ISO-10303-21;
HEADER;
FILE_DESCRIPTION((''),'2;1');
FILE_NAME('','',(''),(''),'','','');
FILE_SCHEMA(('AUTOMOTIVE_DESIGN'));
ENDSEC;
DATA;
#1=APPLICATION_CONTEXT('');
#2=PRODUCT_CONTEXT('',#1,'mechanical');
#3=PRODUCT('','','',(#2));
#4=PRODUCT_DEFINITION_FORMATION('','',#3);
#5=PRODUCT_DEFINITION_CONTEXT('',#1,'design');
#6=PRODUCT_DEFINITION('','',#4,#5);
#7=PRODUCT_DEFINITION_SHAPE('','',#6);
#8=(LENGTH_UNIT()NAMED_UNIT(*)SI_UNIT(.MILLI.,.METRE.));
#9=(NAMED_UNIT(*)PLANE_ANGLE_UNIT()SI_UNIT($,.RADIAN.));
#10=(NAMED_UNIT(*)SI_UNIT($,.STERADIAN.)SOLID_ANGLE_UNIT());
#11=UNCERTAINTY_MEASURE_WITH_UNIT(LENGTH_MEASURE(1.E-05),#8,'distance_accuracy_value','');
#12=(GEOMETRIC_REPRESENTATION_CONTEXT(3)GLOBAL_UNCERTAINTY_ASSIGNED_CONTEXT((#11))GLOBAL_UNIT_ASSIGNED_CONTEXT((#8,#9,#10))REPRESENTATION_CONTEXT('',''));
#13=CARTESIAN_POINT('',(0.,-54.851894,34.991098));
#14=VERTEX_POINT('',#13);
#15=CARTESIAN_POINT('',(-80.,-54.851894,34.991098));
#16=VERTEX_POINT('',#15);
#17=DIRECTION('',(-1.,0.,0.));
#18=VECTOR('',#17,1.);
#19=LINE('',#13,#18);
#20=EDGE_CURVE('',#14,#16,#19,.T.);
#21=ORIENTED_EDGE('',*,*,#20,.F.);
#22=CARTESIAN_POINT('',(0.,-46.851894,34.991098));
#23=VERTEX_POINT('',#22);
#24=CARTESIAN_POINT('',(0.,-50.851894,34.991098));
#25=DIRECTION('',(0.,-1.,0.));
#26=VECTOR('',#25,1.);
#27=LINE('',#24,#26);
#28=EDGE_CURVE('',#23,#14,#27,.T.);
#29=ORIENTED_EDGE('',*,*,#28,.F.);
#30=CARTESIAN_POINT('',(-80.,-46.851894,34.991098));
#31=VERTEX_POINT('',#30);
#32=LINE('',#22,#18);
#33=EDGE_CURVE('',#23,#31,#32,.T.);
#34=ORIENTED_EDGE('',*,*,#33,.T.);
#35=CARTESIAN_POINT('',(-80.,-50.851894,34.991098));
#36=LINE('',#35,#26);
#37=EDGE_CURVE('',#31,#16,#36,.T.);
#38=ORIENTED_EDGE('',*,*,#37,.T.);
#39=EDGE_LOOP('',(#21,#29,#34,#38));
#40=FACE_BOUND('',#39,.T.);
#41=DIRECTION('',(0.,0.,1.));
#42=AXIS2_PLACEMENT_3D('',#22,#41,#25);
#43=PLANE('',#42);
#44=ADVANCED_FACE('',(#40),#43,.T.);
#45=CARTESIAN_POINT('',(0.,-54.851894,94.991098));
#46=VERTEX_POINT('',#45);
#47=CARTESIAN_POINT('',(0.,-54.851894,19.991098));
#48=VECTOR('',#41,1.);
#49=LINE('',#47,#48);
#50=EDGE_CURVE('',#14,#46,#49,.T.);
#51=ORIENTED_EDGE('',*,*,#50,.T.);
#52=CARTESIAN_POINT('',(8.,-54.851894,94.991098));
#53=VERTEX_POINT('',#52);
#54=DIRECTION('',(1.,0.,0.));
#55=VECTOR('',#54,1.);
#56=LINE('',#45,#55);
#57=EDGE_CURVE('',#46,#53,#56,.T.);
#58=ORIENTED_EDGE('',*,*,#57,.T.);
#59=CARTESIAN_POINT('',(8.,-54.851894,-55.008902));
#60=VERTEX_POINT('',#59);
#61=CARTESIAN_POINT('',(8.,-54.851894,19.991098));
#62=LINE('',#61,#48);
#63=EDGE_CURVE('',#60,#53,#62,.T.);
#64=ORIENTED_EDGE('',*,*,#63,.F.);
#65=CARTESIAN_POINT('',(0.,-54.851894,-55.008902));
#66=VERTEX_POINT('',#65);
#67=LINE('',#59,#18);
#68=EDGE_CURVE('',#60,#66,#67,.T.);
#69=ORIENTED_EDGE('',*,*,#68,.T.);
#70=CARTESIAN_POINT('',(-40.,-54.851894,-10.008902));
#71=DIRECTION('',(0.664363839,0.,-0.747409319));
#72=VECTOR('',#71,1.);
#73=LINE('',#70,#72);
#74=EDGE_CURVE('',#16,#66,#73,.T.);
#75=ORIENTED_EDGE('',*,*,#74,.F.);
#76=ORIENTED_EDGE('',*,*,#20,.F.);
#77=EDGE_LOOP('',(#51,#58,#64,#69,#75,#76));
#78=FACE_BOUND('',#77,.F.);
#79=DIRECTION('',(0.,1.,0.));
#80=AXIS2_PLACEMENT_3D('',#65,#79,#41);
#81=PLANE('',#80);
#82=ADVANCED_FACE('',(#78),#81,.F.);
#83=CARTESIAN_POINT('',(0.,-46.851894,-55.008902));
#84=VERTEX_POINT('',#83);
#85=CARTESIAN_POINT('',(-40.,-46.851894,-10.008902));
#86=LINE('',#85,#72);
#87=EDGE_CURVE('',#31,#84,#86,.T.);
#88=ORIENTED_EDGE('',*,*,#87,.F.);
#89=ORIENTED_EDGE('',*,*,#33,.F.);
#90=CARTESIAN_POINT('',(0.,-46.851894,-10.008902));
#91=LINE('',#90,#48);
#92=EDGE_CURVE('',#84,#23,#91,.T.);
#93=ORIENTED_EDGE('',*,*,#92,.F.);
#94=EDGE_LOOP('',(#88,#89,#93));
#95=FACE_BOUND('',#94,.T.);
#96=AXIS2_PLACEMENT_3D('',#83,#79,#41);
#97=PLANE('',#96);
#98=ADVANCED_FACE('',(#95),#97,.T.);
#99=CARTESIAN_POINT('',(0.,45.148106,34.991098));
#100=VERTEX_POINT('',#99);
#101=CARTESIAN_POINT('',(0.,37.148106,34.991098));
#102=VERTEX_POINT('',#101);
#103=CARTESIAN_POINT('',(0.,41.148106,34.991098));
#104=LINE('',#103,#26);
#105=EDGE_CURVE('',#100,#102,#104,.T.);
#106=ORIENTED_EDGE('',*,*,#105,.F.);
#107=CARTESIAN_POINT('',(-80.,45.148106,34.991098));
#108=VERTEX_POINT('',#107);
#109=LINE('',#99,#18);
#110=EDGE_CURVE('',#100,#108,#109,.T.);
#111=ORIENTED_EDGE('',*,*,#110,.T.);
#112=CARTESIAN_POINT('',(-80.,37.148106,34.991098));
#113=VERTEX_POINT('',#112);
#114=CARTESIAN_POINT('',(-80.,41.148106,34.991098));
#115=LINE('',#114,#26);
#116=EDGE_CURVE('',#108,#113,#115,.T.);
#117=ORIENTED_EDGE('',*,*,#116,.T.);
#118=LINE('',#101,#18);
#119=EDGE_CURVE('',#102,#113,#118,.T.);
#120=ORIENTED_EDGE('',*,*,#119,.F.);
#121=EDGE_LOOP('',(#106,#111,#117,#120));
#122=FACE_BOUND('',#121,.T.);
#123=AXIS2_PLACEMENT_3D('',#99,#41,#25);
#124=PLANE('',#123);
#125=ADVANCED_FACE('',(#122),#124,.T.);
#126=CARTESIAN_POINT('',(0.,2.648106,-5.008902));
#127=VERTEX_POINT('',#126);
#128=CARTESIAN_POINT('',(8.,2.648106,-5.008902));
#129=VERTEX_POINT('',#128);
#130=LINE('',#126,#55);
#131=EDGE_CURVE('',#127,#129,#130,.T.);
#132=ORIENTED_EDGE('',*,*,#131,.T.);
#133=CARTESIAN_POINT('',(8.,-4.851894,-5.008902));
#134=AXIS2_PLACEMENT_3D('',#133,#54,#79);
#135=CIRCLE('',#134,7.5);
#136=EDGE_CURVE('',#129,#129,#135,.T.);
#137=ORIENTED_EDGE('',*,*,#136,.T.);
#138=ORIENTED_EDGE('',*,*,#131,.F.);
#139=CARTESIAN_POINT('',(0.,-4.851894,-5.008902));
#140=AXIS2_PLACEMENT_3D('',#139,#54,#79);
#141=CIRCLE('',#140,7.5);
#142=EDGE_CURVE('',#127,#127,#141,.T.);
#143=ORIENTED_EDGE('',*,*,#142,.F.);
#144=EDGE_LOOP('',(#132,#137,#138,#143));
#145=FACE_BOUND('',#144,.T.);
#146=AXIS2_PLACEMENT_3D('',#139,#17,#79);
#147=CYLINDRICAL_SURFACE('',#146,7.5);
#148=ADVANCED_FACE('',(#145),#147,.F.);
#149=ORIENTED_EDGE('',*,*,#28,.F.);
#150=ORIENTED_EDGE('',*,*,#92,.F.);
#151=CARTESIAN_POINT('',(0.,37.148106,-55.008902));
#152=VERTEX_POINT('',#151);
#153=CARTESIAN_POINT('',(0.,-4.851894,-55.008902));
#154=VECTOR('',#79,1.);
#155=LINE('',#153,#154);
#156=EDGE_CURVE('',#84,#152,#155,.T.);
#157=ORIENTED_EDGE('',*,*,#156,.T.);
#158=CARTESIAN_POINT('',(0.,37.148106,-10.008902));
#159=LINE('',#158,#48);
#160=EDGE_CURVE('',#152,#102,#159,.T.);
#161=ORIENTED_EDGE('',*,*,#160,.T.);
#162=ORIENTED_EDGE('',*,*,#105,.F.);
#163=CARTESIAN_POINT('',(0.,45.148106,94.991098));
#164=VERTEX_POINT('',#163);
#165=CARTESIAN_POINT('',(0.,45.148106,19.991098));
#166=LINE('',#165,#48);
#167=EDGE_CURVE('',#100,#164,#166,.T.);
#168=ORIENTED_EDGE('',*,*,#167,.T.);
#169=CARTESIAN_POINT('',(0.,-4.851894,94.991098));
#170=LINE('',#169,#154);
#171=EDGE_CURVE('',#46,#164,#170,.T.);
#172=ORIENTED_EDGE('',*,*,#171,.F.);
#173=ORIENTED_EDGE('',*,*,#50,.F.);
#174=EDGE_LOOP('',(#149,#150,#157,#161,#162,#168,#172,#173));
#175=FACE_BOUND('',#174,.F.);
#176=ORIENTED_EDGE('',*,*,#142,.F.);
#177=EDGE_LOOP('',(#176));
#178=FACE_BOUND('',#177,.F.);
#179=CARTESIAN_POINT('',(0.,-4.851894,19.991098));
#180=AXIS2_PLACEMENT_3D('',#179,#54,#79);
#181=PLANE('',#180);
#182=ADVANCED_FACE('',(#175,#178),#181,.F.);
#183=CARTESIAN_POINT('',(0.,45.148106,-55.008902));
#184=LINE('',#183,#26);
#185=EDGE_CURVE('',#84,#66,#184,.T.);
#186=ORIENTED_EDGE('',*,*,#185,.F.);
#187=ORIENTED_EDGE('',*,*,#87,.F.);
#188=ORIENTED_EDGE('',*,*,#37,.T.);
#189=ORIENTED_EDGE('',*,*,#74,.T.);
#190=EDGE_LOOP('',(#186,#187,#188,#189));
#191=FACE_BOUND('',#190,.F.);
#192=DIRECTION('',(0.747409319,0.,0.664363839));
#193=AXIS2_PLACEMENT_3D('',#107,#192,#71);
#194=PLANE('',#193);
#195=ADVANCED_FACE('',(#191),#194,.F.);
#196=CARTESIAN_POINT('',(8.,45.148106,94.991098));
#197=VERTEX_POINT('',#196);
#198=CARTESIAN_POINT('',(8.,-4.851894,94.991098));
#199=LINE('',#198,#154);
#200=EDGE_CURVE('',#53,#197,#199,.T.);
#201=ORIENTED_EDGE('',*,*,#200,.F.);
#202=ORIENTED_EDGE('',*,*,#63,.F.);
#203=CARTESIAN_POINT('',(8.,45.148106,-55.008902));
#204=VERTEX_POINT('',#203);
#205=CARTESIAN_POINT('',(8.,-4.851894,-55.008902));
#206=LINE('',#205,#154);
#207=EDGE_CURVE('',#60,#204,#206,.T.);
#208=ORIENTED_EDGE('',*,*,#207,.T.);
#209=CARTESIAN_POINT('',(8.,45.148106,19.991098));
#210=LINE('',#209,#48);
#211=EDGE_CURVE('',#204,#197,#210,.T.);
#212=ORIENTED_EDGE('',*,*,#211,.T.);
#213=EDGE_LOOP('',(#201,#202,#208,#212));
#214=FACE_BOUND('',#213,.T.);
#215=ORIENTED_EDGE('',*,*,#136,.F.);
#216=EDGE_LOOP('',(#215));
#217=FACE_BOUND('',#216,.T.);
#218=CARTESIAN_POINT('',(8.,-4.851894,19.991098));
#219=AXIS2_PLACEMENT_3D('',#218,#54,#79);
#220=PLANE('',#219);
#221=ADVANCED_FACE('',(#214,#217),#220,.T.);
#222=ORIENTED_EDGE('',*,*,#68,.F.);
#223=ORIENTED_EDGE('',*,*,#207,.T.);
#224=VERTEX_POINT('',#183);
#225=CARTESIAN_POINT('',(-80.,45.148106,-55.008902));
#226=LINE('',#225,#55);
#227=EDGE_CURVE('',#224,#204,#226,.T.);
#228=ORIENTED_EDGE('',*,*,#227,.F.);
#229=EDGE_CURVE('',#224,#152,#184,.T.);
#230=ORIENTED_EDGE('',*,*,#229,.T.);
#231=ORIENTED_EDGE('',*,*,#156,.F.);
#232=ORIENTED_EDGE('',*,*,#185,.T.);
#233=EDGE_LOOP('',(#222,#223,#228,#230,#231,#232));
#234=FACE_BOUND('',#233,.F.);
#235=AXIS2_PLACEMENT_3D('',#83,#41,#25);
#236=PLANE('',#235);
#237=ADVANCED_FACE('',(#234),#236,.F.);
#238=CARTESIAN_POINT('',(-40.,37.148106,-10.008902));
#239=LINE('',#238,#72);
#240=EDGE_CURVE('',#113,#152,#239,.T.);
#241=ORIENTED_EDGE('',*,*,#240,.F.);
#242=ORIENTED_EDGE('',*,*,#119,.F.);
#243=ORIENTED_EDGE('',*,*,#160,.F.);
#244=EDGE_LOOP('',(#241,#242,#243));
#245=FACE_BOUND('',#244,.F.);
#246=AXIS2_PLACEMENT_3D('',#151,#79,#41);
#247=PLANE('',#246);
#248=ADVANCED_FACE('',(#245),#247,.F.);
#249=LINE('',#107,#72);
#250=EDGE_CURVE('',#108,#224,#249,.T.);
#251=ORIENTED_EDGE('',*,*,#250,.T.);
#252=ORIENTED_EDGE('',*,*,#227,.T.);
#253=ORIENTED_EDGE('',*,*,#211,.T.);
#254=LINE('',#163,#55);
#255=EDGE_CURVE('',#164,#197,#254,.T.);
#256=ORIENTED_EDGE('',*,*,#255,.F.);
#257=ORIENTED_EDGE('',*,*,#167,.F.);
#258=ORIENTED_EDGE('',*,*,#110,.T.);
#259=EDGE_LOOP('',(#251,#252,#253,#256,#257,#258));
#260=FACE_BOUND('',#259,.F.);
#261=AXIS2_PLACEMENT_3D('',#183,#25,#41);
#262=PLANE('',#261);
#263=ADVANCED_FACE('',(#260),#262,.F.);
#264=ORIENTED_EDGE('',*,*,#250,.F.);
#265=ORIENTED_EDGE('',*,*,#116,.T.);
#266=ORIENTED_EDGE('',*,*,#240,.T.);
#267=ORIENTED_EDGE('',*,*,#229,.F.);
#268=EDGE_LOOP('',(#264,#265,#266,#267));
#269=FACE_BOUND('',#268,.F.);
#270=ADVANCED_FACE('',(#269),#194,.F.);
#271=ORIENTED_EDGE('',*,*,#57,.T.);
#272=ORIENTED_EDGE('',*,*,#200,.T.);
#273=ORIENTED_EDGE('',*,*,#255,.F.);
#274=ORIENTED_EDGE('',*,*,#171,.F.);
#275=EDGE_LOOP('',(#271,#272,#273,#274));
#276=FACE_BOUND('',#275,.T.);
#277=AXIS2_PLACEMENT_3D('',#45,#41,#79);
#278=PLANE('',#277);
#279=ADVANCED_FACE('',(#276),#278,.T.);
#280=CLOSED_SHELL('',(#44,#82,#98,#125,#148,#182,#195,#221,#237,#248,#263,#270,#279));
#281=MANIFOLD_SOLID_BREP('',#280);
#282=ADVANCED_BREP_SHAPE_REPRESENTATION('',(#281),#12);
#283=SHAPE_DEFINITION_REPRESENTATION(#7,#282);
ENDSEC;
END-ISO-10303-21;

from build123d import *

# Parameters (mm, degrees)
F0_W     = 100
F0_H     = 150
F0_R     = 7.5
F1_DEPTH = 8
F2_W     = 8
F2_H     = 90
F3_DEPTH = 80
F5_DEPTH = 100.001


with BuildPart() as f1:
    # F0 (on Right) → F1 (new body)
    with BuildSketch(Plane.YZ):
        with Locations((-4.851894, 19.991098)):
            Rectangle(F0_W, F0_H)
        with Locations((-4.851894, -5.008902)):
            Circle(F0_R, mode=Mode.SUBTRACT)
    extrude(amount=F1_DEPTH)

    # F2 (on face) → F3 (join)
    with BuildSketch(Plane(origin=(0, 0, 0), x_dir=(0, -1, 0), z_dir=(-1, 0, 0))):
        with Locations((50.851894, -10.008902)):
            Rectangle(F2_W, F2_H)
        with Locations((-41.148106, -10.008902)):
            Rectangle(F2_W, F2_H)
    extrude(amount=F3_DEPTH)

    # F4 (on face) → F5 (cut, through all)
    with BuildSketch(Plane(origin=(0, 45.148106, 0), x_dir=(-1, 0, 0), z_dir=(0, 1, 0))):
        Polygon((80, -55.008902), (80, 34.991098), (0, -55.008902), align=None)
    extrude(amount=-F5_DEPTH, mode=Mode.SUBTRACT)


solid = f1.part
